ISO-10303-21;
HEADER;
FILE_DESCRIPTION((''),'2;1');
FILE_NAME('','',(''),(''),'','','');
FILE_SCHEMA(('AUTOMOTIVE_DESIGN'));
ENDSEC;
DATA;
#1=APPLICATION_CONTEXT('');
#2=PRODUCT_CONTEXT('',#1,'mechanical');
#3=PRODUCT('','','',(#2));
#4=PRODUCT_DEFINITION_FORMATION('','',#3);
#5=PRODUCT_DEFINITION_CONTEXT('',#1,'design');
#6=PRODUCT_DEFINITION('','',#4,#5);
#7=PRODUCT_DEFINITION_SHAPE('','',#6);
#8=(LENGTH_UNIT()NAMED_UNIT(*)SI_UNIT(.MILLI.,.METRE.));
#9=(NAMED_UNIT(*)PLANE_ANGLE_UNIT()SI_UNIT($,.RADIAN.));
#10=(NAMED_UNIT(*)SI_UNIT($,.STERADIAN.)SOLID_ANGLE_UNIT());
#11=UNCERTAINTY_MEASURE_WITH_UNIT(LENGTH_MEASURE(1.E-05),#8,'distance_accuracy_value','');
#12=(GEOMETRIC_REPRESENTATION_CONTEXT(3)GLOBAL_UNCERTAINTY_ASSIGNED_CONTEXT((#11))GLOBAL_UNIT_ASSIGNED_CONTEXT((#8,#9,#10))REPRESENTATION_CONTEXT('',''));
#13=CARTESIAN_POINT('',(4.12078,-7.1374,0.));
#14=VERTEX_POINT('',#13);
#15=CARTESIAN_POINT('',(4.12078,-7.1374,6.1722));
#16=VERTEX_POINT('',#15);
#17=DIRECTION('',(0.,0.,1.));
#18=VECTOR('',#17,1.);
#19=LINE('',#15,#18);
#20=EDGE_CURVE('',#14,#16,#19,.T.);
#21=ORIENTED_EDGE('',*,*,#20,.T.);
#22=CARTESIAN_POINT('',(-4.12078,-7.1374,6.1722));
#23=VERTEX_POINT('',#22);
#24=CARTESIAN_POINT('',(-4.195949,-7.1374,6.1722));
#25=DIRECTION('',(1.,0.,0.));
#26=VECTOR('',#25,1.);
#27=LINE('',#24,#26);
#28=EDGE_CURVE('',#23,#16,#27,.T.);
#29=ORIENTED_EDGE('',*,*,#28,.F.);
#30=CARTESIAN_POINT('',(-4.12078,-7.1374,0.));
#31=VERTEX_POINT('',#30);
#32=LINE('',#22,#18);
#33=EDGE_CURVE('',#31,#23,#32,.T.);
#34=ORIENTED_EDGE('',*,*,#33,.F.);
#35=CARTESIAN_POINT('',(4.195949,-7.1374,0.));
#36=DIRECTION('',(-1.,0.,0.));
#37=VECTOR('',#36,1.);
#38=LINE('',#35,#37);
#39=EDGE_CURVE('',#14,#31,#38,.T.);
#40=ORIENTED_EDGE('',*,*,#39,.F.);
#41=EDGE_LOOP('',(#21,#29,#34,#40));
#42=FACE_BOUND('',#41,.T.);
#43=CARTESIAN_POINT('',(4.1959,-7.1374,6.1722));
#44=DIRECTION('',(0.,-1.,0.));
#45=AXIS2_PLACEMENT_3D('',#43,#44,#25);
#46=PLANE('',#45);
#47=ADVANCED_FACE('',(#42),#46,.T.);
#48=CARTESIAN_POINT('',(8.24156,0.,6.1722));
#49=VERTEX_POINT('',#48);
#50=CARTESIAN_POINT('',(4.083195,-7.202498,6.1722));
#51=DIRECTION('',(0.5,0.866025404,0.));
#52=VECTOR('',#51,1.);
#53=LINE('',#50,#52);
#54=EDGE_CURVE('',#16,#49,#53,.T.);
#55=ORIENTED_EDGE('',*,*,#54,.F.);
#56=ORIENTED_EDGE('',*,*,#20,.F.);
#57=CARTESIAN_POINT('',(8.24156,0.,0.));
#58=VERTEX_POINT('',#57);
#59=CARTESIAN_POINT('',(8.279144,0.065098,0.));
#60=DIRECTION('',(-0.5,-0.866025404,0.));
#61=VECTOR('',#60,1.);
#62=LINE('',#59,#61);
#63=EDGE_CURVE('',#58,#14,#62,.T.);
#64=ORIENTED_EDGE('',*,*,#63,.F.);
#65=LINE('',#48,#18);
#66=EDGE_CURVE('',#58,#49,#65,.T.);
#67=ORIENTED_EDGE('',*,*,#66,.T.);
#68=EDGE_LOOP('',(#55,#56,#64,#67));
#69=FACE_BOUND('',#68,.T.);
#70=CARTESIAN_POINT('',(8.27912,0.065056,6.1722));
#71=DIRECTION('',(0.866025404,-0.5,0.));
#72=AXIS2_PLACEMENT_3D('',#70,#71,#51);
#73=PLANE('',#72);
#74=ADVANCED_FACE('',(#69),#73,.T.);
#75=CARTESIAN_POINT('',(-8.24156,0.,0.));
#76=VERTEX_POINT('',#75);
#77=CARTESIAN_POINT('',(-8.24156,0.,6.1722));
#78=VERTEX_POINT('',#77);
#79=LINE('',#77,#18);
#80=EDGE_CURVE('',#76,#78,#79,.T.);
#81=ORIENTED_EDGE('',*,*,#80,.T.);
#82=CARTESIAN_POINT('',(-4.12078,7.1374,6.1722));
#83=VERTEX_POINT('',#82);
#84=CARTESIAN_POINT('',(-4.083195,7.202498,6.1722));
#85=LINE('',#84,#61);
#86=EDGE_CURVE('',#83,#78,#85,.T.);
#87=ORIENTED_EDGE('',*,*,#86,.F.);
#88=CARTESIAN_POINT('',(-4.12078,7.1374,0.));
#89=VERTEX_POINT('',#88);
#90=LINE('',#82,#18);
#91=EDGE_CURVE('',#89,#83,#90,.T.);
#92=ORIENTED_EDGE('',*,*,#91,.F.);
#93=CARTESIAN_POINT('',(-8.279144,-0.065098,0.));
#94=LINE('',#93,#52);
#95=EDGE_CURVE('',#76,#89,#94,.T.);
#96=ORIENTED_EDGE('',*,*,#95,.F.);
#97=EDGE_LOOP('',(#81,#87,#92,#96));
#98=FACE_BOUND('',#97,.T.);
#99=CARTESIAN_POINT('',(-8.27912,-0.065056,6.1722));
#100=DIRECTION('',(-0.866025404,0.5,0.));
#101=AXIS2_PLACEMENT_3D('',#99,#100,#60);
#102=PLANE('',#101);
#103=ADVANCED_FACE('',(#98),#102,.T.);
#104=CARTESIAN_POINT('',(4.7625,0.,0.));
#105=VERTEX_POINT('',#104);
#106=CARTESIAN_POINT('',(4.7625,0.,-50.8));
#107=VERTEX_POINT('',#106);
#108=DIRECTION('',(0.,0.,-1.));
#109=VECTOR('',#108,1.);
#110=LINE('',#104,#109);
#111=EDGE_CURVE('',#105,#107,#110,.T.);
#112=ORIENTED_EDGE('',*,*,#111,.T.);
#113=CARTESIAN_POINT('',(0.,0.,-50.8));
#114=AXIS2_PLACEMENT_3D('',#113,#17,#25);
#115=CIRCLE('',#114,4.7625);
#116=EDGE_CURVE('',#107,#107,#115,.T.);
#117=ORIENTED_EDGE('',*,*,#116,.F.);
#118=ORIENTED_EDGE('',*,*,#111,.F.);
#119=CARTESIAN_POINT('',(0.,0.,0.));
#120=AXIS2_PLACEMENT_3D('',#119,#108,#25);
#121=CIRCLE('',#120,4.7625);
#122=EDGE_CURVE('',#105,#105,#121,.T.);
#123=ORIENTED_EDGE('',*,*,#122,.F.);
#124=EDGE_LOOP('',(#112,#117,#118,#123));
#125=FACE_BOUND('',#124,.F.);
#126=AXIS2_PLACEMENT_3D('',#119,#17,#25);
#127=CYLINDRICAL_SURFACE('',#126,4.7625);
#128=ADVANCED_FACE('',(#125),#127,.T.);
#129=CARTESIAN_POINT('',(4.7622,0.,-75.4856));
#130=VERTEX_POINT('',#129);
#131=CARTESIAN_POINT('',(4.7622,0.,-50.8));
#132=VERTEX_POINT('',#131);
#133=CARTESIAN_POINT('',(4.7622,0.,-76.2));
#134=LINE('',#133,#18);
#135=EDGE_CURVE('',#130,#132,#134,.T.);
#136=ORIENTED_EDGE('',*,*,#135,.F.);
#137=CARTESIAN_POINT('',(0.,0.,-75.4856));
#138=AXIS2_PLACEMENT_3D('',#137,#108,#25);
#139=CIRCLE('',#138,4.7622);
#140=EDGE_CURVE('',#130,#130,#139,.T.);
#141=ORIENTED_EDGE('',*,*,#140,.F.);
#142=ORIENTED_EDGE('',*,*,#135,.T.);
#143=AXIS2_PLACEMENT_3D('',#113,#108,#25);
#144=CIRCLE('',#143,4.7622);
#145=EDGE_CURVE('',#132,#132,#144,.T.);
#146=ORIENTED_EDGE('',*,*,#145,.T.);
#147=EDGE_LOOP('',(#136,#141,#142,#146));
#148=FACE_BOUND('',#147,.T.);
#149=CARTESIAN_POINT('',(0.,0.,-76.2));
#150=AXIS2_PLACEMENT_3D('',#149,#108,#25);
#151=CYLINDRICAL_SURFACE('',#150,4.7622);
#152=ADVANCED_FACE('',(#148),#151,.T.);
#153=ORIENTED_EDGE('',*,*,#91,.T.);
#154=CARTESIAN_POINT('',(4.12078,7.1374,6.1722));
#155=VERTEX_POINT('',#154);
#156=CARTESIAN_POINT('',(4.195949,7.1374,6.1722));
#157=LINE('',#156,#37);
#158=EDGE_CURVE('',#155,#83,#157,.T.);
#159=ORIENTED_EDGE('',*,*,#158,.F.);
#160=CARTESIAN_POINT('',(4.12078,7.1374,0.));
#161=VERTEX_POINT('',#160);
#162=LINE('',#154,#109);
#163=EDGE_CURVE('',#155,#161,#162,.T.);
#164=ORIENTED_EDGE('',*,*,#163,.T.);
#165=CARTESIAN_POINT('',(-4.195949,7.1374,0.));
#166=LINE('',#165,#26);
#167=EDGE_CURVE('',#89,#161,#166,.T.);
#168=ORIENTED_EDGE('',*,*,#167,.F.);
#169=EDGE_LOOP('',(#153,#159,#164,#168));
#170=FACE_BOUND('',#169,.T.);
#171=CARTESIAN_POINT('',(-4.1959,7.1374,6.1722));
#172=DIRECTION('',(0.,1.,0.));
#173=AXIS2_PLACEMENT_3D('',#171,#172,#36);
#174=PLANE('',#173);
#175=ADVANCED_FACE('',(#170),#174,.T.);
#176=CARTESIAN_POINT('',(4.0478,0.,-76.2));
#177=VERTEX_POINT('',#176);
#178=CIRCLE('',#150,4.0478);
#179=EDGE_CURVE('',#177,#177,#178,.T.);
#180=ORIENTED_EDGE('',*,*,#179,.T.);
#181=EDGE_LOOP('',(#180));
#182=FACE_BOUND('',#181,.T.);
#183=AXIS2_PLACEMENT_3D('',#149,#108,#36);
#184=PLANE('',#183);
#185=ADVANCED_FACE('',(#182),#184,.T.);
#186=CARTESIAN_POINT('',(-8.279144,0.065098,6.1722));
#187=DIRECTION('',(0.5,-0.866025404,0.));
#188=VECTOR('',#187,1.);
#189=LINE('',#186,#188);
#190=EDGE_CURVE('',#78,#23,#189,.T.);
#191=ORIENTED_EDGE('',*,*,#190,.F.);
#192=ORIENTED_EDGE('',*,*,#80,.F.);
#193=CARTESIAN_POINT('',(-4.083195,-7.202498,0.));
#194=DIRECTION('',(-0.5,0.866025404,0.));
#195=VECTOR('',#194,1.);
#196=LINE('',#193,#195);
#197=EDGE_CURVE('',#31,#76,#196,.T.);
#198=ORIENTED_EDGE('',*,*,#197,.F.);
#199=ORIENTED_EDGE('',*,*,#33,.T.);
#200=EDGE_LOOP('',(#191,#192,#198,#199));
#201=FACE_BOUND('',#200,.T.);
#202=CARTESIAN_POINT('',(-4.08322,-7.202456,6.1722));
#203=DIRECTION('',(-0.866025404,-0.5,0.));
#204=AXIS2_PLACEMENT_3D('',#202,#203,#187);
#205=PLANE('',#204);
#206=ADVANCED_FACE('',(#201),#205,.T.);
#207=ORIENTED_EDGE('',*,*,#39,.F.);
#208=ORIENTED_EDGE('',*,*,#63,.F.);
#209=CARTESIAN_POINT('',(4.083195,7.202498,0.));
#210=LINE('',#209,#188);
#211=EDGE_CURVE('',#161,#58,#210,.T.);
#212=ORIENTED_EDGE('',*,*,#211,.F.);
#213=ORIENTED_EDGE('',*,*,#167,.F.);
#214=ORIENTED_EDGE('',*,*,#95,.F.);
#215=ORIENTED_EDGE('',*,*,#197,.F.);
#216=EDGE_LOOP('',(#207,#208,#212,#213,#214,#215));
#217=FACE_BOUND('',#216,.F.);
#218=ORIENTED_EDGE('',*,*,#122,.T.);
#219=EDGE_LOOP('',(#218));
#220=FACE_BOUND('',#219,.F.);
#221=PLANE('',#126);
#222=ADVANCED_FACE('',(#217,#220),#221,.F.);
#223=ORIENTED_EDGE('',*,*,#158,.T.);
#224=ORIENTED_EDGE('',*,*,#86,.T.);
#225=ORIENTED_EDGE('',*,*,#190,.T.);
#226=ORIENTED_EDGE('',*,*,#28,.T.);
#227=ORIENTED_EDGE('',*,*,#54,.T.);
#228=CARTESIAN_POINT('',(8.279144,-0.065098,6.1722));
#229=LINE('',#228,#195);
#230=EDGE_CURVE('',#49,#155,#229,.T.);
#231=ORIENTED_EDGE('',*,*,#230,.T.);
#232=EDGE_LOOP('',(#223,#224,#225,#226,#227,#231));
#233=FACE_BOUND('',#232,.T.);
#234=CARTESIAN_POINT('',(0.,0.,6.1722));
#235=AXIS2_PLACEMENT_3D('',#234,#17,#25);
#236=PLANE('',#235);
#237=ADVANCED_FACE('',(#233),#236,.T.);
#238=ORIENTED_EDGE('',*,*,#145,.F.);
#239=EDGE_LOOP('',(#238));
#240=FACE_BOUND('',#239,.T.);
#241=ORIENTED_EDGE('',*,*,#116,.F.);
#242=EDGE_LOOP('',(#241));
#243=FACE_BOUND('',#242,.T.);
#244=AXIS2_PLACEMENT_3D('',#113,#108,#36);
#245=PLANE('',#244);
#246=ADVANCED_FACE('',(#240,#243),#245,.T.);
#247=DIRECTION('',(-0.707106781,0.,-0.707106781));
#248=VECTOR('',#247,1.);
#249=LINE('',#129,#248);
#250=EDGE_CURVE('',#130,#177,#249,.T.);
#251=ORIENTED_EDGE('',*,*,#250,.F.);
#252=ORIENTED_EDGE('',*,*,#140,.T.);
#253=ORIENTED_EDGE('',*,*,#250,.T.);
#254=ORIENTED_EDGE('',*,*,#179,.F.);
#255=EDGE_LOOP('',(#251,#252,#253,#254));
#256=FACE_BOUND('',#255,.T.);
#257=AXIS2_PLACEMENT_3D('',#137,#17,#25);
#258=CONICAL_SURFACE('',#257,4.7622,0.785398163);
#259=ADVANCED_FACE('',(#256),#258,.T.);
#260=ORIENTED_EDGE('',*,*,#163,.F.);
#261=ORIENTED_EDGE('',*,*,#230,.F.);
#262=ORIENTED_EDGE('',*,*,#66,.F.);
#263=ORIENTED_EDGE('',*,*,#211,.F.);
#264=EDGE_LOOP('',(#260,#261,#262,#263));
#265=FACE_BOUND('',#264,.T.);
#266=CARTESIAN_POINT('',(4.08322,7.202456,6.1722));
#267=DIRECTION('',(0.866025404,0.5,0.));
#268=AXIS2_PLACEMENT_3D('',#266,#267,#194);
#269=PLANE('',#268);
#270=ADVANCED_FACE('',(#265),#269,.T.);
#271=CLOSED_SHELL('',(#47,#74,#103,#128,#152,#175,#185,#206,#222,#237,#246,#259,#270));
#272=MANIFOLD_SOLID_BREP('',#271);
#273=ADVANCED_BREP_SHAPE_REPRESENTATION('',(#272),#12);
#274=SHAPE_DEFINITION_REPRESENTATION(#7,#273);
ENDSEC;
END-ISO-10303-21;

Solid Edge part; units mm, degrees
sketch "Sketch1" plane through (0, 0, 0) normal (0, 0, 1) x (1, 0, 0)
  circle A0 centre (0, 0) radius 8.2794
  dimension "D1" = 16.5588
extrude "Protrusion1" add sketch "Sketch1" along normal blind 6.1722
sketch "Sketch2" plane through (0, 0, 0) normal (0, 0, -1) x (1, 0, 0)
  circle A0 centre (0, 0) radius 4.7625
extrude "Protrusion2" add sketch "Sketch2" along normal blind 76.2
sketch "Sketch3" plane through (0, 0, -76.2) normal (0, 0, -1) x (1, 0, 0)
  circle A0 centre (0, 0) radius 4.7622
extrude "Cutout1" cut sketch "Sketch3" against normal blind 25.4 flip side to cut
chamfer "Chamfer_1" distance 0.7144 angle 45 1 edges at (-4.7622, 0, -76.2)
sketch "Sketch4" plane through (0, 0, 6.1722) normal (0, 0, 1) x (1, 0, 0)
  line L0 (-4.1959, 7.1374) -> (4.1959, 7.1374)
  dimension "D1" = 14.2748
extrude "Cutout2" cut sketch "Sketch4" against normal up to next material side at (0, 7.1874, 6.1722)
pattern_circular "Pattern1" count 6 over 360 about axis through (0, 0, 6.1722) along (0, 0, 1) of "Cutout2"
properties part number "24100018"
